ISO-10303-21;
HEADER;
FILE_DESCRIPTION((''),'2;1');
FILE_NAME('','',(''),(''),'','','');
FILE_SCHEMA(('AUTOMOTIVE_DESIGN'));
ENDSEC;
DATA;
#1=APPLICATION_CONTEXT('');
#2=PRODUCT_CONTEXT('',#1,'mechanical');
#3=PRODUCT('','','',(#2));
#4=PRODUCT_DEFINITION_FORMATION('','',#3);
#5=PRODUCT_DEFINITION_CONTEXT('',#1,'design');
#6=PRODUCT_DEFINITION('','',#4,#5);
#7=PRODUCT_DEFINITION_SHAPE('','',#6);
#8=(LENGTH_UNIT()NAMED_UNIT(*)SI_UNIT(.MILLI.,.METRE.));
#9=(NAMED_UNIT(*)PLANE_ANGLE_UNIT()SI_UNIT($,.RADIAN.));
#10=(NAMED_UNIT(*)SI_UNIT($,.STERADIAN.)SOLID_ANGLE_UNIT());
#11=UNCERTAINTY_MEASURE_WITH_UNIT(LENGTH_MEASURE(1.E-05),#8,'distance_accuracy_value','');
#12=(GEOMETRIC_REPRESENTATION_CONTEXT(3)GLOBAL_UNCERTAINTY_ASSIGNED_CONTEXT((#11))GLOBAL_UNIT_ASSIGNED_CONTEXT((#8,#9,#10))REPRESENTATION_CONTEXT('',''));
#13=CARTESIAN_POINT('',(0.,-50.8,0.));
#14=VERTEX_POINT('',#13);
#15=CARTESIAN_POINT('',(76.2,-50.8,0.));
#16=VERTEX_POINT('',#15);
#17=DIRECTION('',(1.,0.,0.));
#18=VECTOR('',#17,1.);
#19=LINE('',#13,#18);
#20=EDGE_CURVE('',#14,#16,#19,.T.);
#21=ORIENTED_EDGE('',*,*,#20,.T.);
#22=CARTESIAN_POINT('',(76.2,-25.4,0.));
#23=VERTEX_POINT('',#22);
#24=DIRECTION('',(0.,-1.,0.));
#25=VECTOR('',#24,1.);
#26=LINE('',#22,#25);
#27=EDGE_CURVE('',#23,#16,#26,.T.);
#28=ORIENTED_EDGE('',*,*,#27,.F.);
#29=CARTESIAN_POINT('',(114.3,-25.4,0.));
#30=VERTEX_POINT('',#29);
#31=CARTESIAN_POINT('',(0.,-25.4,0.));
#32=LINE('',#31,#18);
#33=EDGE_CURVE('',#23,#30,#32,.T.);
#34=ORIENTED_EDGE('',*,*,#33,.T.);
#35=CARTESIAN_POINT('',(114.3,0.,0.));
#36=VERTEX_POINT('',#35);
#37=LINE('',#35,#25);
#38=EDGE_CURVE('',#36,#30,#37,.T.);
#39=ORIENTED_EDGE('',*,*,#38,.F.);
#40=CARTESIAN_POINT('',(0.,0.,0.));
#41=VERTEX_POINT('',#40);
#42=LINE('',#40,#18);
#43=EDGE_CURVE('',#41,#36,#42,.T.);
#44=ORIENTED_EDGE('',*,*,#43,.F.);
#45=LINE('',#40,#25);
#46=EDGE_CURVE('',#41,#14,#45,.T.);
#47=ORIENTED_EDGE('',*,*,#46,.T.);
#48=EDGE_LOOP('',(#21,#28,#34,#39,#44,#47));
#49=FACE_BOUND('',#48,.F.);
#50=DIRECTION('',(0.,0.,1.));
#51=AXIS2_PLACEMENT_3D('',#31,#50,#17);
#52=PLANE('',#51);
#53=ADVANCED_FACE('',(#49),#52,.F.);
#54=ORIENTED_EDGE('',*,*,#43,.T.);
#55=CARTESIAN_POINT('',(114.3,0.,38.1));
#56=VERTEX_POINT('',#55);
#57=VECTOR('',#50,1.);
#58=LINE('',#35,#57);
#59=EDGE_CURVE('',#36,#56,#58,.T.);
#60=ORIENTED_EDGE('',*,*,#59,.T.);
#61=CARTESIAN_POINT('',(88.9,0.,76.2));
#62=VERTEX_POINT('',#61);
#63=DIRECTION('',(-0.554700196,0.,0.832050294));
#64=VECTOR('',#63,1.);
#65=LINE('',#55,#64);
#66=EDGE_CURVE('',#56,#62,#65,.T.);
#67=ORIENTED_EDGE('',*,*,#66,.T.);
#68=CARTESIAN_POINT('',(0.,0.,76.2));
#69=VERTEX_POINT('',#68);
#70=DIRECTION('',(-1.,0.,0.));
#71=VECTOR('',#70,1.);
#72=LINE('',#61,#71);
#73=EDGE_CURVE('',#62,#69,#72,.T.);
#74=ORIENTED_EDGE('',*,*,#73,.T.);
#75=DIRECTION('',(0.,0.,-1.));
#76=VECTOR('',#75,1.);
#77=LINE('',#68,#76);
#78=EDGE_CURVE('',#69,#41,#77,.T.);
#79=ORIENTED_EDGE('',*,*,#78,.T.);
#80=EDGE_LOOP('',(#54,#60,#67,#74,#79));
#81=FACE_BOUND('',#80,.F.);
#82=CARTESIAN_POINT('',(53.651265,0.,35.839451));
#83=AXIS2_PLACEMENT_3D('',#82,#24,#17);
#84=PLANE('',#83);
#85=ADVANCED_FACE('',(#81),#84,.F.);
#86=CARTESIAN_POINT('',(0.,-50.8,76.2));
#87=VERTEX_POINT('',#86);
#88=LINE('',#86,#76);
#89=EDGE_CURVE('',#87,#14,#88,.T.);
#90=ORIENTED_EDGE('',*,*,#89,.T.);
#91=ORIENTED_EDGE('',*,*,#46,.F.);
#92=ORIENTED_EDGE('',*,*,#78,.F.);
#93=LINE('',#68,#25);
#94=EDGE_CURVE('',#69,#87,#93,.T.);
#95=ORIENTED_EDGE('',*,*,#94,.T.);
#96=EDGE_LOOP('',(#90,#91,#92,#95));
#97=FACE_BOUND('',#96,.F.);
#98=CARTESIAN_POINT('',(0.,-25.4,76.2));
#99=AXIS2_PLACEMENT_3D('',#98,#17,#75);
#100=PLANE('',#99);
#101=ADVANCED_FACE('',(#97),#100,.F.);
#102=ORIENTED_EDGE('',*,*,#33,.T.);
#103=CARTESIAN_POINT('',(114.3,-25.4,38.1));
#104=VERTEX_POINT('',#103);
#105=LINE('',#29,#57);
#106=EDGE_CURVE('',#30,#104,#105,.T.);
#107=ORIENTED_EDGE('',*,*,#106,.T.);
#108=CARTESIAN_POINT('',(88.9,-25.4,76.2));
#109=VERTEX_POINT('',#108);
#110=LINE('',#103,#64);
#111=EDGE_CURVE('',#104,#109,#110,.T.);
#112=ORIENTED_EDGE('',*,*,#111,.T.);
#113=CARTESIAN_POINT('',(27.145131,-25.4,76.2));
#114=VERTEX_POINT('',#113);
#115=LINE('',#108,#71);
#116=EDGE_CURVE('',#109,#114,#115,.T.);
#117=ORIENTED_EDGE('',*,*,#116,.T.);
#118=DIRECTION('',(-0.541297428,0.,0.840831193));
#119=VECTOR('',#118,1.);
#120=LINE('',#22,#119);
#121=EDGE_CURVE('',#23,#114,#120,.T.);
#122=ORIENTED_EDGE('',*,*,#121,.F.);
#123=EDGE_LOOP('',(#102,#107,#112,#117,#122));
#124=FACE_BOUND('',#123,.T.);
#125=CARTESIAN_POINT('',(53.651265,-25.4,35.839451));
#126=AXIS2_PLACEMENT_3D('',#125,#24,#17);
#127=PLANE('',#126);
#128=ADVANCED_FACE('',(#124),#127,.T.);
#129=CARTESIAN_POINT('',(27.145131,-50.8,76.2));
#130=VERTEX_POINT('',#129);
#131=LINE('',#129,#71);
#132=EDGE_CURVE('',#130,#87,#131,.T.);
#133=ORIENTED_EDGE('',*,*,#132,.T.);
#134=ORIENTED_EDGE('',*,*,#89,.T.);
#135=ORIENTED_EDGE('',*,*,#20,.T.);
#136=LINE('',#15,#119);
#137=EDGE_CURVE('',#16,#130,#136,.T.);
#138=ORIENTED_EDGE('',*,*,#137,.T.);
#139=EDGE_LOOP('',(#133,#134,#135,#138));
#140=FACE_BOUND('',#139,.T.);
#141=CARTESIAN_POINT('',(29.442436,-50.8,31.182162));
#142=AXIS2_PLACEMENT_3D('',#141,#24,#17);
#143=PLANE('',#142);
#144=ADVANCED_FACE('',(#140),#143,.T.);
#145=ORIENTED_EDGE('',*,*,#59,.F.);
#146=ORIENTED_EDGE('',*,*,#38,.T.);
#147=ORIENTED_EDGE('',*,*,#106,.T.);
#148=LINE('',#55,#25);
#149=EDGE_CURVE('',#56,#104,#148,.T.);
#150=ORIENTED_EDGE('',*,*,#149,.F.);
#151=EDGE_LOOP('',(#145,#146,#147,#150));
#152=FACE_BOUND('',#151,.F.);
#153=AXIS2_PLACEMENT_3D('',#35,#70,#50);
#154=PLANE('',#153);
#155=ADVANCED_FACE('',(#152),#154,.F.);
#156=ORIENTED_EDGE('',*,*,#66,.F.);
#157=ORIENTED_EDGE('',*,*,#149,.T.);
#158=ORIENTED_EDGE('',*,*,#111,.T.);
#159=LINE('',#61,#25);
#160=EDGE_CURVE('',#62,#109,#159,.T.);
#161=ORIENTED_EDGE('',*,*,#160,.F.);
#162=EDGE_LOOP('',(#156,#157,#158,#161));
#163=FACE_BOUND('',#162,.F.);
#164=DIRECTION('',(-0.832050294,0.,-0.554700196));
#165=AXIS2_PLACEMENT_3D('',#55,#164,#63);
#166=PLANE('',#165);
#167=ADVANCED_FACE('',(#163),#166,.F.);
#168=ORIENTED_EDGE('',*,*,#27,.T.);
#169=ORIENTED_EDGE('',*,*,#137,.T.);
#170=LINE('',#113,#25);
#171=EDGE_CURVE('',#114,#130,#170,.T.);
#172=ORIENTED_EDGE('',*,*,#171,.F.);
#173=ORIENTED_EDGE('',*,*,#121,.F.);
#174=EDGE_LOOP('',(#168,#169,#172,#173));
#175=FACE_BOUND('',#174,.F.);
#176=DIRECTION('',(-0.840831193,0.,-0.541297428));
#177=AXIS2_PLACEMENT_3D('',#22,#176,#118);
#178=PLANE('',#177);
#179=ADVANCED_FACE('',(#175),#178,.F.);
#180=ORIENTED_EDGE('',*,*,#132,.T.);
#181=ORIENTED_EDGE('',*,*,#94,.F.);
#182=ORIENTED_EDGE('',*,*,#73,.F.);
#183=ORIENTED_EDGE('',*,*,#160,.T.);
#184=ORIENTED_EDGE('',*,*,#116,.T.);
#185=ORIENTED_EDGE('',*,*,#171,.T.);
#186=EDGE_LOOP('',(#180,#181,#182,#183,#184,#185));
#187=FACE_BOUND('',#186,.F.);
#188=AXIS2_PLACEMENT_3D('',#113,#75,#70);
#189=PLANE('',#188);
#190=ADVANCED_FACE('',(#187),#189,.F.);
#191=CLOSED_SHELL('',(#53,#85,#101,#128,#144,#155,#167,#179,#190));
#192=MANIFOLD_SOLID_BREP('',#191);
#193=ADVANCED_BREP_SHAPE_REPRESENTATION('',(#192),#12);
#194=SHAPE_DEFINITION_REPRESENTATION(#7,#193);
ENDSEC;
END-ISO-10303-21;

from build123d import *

# Parameters (mm, degrees)
F1_DEPTH = 25.4
F3_DEPTH = 25.4


with BuildPart() as f1:
    # F0 (on Front) → F1 (new body)
    with BuildSketch(Plane.XZ):
        Polygon((0, 76.2), (0, 0), (114.3, 0), (114.3, 38.1), (88.9, 76.2), align=None)
    extrude(amount=F1_DEPTH)

    # F2 (on face) → F3 (join)
    with BuildSketch(Plane.XZ.offset(25.4)):
        Polygon((27.145131, 76.2), (1.745131, 76.2), (0, 76.2), (0, 0), (76.2, 0), align=None)
    extrude(amount=F3_DEPTH)


solid = f1.part
